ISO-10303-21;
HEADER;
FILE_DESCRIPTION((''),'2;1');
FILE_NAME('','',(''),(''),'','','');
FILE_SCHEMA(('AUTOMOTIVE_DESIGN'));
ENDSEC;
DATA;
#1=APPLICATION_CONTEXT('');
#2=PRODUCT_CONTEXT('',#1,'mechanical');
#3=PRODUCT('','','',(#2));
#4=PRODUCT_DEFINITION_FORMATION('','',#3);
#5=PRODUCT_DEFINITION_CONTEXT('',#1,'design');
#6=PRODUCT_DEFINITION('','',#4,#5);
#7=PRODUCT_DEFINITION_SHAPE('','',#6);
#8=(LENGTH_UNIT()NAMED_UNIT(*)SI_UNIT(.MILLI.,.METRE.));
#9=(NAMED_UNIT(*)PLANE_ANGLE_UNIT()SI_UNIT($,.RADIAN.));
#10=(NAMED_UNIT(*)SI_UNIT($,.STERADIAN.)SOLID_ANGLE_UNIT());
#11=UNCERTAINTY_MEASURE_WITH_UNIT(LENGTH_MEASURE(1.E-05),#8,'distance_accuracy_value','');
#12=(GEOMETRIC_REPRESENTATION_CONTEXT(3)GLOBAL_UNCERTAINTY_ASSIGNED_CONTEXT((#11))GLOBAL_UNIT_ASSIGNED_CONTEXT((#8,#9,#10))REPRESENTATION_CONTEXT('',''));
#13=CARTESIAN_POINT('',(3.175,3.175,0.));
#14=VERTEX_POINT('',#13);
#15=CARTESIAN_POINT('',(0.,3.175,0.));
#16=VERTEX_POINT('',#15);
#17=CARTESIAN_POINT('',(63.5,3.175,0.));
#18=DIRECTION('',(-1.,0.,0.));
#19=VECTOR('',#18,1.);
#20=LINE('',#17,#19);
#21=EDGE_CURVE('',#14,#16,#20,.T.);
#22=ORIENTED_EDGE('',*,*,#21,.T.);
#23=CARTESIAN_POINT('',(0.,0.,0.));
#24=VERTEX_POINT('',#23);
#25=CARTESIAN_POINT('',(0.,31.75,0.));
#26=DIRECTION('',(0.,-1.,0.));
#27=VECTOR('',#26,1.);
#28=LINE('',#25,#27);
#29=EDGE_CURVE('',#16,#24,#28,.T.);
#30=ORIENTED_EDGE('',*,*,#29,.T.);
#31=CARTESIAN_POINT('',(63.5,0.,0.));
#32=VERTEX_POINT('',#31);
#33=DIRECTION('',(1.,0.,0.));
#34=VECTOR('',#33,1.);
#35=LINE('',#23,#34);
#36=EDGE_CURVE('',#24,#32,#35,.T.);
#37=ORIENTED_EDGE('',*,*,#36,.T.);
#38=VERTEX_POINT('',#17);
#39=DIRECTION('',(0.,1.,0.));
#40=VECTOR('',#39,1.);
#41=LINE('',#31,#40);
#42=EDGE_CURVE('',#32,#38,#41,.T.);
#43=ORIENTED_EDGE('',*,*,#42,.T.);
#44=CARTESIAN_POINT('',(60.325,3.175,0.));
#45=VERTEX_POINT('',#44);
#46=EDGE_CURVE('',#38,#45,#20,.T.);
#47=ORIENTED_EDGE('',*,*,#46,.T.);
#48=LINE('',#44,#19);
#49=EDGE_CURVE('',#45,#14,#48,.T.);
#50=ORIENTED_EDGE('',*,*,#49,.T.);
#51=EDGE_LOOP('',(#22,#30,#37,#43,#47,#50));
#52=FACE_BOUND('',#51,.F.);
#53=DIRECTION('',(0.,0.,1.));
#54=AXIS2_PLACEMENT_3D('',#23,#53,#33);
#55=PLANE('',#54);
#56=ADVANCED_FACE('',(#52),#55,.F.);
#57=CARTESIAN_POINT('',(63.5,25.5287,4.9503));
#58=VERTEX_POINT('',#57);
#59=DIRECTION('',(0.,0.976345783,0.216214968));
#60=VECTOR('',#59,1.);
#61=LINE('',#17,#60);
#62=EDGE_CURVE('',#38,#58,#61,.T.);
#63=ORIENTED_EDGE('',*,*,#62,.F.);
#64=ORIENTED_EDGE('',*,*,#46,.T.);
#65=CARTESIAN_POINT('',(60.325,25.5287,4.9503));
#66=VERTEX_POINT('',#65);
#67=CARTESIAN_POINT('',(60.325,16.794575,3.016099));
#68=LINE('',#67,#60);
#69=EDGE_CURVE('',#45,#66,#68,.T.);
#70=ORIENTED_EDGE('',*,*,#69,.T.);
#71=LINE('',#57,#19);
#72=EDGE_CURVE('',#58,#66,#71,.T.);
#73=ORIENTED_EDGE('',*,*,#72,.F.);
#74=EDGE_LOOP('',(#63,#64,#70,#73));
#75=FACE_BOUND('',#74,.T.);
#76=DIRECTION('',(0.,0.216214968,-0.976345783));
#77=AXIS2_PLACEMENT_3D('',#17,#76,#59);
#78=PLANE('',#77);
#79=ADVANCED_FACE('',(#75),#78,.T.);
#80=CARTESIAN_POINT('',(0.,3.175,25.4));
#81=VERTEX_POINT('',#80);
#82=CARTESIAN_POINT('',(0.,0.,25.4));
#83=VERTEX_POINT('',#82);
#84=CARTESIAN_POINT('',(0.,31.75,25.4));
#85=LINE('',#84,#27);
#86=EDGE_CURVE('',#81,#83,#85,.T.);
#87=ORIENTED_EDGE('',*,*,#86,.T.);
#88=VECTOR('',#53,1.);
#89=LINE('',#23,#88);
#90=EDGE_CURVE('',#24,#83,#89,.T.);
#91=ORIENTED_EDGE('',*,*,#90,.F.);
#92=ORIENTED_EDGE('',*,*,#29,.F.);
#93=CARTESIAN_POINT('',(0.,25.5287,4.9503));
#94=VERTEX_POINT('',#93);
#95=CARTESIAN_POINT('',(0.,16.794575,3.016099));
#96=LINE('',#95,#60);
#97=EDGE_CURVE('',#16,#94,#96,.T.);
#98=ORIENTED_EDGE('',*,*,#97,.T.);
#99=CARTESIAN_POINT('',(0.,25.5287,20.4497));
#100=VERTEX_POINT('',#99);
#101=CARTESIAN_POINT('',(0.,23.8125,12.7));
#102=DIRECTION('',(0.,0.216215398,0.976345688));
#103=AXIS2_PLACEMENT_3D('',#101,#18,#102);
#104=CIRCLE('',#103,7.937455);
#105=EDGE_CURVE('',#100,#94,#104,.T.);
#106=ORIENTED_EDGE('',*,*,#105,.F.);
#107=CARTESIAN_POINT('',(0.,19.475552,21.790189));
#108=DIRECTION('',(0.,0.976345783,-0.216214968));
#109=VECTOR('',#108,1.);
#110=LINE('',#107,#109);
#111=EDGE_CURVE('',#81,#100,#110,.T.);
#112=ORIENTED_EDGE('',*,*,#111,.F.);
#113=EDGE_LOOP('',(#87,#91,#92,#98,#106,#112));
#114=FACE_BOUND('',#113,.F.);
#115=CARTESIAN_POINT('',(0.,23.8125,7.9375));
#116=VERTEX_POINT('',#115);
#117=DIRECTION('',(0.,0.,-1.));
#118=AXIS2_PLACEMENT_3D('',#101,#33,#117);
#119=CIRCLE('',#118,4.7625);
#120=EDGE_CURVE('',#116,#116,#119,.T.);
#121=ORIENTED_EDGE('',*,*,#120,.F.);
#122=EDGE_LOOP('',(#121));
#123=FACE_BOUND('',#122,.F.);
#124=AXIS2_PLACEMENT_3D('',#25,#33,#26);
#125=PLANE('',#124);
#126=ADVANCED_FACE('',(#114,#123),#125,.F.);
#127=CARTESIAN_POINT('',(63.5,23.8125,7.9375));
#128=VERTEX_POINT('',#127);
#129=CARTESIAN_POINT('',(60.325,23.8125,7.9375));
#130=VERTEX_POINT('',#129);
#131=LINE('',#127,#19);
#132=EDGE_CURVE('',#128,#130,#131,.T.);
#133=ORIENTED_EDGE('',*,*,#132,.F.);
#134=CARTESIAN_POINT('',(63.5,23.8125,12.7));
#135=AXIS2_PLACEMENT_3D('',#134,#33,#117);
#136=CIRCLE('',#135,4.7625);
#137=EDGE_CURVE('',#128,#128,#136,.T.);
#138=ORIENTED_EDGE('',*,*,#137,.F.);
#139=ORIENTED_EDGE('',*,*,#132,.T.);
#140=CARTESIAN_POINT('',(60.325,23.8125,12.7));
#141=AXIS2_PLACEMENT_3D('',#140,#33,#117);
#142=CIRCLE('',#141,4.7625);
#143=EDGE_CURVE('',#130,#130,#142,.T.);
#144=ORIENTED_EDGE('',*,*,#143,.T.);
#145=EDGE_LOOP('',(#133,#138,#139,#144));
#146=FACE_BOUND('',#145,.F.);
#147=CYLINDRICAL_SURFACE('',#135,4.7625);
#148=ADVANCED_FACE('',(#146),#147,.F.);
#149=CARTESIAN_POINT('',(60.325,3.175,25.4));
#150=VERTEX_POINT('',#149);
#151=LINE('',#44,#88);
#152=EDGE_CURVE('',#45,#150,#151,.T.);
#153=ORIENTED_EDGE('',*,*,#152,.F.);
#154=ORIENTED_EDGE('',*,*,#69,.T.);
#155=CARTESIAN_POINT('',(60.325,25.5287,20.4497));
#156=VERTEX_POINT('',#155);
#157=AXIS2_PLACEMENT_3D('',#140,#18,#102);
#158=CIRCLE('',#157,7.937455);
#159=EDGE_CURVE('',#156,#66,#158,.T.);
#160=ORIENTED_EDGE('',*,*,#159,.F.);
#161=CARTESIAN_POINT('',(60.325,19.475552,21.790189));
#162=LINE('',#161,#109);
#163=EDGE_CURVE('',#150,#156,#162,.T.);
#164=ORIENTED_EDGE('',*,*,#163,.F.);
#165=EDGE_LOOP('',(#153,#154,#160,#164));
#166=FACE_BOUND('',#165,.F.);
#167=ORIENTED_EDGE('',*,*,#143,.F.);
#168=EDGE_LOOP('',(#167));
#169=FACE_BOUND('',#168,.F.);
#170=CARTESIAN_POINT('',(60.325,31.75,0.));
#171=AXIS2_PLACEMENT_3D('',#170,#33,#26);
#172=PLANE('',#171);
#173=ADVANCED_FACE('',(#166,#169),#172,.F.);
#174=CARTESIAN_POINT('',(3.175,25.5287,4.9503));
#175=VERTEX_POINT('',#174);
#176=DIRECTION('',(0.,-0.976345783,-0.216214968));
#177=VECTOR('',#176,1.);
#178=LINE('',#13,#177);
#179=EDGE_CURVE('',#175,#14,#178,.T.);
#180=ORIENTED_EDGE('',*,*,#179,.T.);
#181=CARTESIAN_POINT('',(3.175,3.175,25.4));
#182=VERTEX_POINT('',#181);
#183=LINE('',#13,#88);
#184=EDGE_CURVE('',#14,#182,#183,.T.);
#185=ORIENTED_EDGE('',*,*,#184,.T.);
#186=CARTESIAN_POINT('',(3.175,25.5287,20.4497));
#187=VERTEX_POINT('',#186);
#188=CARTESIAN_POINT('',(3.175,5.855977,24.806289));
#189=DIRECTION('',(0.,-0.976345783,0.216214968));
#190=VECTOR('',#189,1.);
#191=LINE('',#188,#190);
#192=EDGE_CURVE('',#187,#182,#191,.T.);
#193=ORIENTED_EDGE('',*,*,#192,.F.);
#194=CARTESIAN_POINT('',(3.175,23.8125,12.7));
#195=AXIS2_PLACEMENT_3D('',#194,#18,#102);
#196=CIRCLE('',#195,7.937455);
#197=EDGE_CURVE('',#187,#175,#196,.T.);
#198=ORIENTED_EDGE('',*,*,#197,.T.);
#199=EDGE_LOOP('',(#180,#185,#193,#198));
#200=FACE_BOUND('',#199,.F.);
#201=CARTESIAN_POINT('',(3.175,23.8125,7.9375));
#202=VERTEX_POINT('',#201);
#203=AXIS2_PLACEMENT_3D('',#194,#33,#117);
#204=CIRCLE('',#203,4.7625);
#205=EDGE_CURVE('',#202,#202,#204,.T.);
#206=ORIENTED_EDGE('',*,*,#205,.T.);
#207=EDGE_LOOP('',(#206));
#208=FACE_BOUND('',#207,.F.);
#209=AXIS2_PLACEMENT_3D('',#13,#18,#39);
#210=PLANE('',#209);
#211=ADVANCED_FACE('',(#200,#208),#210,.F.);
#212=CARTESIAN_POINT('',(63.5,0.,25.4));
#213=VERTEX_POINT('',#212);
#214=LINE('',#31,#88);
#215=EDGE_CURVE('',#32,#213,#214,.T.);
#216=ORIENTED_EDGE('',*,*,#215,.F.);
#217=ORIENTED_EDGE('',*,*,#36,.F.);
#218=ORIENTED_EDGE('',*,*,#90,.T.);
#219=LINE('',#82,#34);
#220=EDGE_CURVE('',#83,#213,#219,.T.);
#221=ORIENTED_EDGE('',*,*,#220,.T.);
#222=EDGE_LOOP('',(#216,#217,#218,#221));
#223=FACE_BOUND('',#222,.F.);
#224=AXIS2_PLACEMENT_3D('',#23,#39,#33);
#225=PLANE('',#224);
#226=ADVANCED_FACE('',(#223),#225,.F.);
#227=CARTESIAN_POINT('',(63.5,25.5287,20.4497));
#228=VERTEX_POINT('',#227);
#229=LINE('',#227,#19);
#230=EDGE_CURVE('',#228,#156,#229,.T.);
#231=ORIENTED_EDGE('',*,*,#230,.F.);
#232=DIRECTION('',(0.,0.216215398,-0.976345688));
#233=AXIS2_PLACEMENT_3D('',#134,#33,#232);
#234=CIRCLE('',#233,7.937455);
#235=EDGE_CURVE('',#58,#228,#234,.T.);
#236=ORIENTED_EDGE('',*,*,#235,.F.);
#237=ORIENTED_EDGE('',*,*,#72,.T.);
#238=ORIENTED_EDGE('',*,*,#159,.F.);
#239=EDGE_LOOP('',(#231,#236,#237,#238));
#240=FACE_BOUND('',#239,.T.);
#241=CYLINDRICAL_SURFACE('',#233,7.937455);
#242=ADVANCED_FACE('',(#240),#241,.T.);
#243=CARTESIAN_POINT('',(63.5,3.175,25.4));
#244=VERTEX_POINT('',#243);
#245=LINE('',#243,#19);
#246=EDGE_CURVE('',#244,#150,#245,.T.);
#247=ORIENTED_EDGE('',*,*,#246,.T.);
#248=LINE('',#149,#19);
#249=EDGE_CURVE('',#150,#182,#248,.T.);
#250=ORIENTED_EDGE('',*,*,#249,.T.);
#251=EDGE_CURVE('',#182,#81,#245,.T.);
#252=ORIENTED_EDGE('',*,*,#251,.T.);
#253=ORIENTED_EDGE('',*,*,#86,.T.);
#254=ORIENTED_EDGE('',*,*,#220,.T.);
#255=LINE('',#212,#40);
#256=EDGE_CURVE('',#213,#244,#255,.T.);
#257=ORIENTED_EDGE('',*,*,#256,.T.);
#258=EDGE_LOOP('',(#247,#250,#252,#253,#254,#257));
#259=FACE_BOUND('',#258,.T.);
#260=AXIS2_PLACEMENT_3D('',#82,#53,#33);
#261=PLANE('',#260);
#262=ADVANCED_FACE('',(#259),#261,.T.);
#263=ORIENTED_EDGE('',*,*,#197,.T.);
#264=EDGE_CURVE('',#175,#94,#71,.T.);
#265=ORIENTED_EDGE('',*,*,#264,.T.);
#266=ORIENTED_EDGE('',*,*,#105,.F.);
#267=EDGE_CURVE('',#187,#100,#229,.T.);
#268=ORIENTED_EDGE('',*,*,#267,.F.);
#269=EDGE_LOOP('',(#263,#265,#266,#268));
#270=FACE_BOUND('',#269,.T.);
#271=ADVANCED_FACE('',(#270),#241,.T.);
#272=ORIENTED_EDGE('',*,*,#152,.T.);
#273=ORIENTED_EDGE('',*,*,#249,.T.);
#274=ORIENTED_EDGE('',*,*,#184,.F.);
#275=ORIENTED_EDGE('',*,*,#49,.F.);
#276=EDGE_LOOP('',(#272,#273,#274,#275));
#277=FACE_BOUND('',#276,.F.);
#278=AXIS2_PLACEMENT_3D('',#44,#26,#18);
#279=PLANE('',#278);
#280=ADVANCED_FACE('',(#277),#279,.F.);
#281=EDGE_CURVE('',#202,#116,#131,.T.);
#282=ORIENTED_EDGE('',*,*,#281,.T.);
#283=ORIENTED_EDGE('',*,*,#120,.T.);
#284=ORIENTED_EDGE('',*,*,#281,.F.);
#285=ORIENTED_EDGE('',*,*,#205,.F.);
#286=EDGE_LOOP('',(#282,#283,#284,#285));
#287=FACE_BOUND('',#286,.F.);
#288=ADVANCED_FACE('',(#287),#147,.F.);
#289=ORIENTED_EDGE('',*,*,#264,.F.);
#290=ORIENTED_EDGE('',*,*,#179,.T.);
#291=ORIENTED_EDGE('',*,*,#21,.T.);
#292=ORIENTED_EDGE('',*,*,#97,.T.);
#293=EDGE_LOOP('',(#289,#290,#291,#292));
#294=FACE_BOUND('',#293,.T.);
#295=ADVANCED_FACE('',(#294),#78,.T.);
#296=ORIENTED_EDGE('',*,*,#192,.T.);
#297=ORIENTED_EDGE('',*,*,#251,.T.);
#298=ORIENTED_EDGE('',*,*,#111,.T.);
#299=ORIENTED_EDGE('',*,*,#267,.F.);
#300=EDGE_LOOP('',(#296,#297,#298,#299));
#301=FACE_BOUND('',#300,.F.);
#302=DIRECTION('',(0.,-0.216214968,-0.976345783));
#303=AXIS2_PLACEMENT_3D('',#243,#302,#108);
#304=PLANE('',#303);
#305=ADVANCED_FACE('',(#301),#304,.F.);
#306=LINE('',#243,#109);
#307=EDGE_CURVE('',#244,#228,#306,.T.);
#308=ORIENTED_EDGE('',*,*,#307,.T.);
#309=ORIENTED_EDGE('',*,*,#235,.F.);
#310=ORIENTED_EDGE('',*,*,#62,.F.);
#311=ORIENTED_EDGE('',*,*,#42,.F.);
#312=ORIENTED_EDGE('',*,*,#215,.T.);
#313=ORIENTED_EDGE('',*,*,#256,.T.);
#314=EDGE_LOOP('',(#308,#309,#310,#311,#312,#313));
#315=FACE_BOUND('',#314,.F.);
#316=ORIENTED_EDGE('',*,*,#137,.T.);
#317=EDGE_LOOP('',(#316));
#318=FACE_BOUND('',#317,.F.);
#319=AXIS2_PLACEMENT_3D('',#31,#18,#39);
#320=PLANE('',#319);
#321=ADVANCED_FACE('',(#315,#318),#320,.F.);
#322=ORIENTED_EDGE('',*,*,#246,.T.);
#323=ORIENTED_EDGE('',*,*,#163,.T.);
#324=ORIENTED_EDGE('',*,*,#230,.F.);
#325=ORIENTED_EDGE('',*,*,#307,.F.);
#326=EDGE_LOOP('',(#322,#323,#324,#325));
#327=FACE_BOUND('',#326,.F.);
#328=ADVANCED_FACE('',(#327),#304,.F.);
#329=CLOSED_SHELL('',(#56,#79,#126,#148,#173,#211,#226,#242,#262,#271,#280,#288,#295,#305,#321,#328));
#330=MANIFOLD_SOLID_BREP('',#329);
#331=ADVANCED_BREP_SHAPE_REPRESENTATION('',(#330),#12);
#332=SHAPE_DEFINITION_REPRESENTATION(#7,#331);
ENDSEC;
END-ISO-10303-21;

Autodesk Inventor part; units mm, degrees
ref_plane "YZ Plane" through (0, 0, 0) normal (1, 0, 0) x (0, 1, 0)
ref_plane "XZ Plane" through (0, 0, 0) normal (0, 1, 0) x (-1, 0, 0)
ref_plane "XY Plane" through (0, 0, 0) normal (0, 0, 1) x (1, 0, 0)
sketch "Sketch1" plane through (0, 0, 0) normal (0, 0, 1) x (1, 0, 0)
  line L0 (0, 0) -> (63.5, 0)
  line L1 (63.5, 0) -> (63.5, 31.75)
  line L2 (0, 31.75) -> (0, 0)
  line L3 (60.325, 31.75) -> (60.325, 3.175)
  line L4 (60.325, 3.175) -> (3.175, 3.175)
  line L5 (3.175, 3.175) -> (3.175, 31.75)
  line L6 (63.5, 31.75) -> (60.325, 31.75)
  line L7 (3.175, 31.75) -> (0, 31.75)
  dimension "d0" = 31.75
  dimension "d1" = 63.5
  dimension "d2" = 3.175
  dimension "d3" = 3.175
  dimension "d4" = 3.175
extrude "Extrusion1" add sketch "Sketch1" along normal blind 25.4
sketch "Sketch2" plane through (63.5, 0, 0) normal (1, 0, 0) x (0, 0, -1)
  line L0 (-25.4, 31.75) -> (-25.4, 0) projected
  line L1 (0, 0) -> (-25.4, 0) projected
  line L2 (0, 0) -> (0, 31.75) projected
  line L3 (0, 31.75) -> (-25.4, 31.75) projected
  arc A0 (-4.9503, 25.5287) -> (-20.4497, 25.5287) centre (-12.7, 23.8125) ccw
  line L4 (-25.4, 3.175) -> (-20.4497, 25.5287)
  line L5 (0, 3.175) -> (-4.9503, 25.5287)
  circle A1 centre (-12.7, 23.8125) radius 4.7625
  dimension "d7" = 15.875
  dimension "d8" = 3.175
  dimension "d9" = 9.525
  dimension "d10" = 12.7
extrude "Extrusion2" cut sketch "Sketch2" against normal through all contours L3 A0 L4 L0 | L3 L2 L5 A0 | A1
equation "\"d3\" = d2"
equation "\"d4\" = d3"
properties part number "manipulator apendage pivot"
